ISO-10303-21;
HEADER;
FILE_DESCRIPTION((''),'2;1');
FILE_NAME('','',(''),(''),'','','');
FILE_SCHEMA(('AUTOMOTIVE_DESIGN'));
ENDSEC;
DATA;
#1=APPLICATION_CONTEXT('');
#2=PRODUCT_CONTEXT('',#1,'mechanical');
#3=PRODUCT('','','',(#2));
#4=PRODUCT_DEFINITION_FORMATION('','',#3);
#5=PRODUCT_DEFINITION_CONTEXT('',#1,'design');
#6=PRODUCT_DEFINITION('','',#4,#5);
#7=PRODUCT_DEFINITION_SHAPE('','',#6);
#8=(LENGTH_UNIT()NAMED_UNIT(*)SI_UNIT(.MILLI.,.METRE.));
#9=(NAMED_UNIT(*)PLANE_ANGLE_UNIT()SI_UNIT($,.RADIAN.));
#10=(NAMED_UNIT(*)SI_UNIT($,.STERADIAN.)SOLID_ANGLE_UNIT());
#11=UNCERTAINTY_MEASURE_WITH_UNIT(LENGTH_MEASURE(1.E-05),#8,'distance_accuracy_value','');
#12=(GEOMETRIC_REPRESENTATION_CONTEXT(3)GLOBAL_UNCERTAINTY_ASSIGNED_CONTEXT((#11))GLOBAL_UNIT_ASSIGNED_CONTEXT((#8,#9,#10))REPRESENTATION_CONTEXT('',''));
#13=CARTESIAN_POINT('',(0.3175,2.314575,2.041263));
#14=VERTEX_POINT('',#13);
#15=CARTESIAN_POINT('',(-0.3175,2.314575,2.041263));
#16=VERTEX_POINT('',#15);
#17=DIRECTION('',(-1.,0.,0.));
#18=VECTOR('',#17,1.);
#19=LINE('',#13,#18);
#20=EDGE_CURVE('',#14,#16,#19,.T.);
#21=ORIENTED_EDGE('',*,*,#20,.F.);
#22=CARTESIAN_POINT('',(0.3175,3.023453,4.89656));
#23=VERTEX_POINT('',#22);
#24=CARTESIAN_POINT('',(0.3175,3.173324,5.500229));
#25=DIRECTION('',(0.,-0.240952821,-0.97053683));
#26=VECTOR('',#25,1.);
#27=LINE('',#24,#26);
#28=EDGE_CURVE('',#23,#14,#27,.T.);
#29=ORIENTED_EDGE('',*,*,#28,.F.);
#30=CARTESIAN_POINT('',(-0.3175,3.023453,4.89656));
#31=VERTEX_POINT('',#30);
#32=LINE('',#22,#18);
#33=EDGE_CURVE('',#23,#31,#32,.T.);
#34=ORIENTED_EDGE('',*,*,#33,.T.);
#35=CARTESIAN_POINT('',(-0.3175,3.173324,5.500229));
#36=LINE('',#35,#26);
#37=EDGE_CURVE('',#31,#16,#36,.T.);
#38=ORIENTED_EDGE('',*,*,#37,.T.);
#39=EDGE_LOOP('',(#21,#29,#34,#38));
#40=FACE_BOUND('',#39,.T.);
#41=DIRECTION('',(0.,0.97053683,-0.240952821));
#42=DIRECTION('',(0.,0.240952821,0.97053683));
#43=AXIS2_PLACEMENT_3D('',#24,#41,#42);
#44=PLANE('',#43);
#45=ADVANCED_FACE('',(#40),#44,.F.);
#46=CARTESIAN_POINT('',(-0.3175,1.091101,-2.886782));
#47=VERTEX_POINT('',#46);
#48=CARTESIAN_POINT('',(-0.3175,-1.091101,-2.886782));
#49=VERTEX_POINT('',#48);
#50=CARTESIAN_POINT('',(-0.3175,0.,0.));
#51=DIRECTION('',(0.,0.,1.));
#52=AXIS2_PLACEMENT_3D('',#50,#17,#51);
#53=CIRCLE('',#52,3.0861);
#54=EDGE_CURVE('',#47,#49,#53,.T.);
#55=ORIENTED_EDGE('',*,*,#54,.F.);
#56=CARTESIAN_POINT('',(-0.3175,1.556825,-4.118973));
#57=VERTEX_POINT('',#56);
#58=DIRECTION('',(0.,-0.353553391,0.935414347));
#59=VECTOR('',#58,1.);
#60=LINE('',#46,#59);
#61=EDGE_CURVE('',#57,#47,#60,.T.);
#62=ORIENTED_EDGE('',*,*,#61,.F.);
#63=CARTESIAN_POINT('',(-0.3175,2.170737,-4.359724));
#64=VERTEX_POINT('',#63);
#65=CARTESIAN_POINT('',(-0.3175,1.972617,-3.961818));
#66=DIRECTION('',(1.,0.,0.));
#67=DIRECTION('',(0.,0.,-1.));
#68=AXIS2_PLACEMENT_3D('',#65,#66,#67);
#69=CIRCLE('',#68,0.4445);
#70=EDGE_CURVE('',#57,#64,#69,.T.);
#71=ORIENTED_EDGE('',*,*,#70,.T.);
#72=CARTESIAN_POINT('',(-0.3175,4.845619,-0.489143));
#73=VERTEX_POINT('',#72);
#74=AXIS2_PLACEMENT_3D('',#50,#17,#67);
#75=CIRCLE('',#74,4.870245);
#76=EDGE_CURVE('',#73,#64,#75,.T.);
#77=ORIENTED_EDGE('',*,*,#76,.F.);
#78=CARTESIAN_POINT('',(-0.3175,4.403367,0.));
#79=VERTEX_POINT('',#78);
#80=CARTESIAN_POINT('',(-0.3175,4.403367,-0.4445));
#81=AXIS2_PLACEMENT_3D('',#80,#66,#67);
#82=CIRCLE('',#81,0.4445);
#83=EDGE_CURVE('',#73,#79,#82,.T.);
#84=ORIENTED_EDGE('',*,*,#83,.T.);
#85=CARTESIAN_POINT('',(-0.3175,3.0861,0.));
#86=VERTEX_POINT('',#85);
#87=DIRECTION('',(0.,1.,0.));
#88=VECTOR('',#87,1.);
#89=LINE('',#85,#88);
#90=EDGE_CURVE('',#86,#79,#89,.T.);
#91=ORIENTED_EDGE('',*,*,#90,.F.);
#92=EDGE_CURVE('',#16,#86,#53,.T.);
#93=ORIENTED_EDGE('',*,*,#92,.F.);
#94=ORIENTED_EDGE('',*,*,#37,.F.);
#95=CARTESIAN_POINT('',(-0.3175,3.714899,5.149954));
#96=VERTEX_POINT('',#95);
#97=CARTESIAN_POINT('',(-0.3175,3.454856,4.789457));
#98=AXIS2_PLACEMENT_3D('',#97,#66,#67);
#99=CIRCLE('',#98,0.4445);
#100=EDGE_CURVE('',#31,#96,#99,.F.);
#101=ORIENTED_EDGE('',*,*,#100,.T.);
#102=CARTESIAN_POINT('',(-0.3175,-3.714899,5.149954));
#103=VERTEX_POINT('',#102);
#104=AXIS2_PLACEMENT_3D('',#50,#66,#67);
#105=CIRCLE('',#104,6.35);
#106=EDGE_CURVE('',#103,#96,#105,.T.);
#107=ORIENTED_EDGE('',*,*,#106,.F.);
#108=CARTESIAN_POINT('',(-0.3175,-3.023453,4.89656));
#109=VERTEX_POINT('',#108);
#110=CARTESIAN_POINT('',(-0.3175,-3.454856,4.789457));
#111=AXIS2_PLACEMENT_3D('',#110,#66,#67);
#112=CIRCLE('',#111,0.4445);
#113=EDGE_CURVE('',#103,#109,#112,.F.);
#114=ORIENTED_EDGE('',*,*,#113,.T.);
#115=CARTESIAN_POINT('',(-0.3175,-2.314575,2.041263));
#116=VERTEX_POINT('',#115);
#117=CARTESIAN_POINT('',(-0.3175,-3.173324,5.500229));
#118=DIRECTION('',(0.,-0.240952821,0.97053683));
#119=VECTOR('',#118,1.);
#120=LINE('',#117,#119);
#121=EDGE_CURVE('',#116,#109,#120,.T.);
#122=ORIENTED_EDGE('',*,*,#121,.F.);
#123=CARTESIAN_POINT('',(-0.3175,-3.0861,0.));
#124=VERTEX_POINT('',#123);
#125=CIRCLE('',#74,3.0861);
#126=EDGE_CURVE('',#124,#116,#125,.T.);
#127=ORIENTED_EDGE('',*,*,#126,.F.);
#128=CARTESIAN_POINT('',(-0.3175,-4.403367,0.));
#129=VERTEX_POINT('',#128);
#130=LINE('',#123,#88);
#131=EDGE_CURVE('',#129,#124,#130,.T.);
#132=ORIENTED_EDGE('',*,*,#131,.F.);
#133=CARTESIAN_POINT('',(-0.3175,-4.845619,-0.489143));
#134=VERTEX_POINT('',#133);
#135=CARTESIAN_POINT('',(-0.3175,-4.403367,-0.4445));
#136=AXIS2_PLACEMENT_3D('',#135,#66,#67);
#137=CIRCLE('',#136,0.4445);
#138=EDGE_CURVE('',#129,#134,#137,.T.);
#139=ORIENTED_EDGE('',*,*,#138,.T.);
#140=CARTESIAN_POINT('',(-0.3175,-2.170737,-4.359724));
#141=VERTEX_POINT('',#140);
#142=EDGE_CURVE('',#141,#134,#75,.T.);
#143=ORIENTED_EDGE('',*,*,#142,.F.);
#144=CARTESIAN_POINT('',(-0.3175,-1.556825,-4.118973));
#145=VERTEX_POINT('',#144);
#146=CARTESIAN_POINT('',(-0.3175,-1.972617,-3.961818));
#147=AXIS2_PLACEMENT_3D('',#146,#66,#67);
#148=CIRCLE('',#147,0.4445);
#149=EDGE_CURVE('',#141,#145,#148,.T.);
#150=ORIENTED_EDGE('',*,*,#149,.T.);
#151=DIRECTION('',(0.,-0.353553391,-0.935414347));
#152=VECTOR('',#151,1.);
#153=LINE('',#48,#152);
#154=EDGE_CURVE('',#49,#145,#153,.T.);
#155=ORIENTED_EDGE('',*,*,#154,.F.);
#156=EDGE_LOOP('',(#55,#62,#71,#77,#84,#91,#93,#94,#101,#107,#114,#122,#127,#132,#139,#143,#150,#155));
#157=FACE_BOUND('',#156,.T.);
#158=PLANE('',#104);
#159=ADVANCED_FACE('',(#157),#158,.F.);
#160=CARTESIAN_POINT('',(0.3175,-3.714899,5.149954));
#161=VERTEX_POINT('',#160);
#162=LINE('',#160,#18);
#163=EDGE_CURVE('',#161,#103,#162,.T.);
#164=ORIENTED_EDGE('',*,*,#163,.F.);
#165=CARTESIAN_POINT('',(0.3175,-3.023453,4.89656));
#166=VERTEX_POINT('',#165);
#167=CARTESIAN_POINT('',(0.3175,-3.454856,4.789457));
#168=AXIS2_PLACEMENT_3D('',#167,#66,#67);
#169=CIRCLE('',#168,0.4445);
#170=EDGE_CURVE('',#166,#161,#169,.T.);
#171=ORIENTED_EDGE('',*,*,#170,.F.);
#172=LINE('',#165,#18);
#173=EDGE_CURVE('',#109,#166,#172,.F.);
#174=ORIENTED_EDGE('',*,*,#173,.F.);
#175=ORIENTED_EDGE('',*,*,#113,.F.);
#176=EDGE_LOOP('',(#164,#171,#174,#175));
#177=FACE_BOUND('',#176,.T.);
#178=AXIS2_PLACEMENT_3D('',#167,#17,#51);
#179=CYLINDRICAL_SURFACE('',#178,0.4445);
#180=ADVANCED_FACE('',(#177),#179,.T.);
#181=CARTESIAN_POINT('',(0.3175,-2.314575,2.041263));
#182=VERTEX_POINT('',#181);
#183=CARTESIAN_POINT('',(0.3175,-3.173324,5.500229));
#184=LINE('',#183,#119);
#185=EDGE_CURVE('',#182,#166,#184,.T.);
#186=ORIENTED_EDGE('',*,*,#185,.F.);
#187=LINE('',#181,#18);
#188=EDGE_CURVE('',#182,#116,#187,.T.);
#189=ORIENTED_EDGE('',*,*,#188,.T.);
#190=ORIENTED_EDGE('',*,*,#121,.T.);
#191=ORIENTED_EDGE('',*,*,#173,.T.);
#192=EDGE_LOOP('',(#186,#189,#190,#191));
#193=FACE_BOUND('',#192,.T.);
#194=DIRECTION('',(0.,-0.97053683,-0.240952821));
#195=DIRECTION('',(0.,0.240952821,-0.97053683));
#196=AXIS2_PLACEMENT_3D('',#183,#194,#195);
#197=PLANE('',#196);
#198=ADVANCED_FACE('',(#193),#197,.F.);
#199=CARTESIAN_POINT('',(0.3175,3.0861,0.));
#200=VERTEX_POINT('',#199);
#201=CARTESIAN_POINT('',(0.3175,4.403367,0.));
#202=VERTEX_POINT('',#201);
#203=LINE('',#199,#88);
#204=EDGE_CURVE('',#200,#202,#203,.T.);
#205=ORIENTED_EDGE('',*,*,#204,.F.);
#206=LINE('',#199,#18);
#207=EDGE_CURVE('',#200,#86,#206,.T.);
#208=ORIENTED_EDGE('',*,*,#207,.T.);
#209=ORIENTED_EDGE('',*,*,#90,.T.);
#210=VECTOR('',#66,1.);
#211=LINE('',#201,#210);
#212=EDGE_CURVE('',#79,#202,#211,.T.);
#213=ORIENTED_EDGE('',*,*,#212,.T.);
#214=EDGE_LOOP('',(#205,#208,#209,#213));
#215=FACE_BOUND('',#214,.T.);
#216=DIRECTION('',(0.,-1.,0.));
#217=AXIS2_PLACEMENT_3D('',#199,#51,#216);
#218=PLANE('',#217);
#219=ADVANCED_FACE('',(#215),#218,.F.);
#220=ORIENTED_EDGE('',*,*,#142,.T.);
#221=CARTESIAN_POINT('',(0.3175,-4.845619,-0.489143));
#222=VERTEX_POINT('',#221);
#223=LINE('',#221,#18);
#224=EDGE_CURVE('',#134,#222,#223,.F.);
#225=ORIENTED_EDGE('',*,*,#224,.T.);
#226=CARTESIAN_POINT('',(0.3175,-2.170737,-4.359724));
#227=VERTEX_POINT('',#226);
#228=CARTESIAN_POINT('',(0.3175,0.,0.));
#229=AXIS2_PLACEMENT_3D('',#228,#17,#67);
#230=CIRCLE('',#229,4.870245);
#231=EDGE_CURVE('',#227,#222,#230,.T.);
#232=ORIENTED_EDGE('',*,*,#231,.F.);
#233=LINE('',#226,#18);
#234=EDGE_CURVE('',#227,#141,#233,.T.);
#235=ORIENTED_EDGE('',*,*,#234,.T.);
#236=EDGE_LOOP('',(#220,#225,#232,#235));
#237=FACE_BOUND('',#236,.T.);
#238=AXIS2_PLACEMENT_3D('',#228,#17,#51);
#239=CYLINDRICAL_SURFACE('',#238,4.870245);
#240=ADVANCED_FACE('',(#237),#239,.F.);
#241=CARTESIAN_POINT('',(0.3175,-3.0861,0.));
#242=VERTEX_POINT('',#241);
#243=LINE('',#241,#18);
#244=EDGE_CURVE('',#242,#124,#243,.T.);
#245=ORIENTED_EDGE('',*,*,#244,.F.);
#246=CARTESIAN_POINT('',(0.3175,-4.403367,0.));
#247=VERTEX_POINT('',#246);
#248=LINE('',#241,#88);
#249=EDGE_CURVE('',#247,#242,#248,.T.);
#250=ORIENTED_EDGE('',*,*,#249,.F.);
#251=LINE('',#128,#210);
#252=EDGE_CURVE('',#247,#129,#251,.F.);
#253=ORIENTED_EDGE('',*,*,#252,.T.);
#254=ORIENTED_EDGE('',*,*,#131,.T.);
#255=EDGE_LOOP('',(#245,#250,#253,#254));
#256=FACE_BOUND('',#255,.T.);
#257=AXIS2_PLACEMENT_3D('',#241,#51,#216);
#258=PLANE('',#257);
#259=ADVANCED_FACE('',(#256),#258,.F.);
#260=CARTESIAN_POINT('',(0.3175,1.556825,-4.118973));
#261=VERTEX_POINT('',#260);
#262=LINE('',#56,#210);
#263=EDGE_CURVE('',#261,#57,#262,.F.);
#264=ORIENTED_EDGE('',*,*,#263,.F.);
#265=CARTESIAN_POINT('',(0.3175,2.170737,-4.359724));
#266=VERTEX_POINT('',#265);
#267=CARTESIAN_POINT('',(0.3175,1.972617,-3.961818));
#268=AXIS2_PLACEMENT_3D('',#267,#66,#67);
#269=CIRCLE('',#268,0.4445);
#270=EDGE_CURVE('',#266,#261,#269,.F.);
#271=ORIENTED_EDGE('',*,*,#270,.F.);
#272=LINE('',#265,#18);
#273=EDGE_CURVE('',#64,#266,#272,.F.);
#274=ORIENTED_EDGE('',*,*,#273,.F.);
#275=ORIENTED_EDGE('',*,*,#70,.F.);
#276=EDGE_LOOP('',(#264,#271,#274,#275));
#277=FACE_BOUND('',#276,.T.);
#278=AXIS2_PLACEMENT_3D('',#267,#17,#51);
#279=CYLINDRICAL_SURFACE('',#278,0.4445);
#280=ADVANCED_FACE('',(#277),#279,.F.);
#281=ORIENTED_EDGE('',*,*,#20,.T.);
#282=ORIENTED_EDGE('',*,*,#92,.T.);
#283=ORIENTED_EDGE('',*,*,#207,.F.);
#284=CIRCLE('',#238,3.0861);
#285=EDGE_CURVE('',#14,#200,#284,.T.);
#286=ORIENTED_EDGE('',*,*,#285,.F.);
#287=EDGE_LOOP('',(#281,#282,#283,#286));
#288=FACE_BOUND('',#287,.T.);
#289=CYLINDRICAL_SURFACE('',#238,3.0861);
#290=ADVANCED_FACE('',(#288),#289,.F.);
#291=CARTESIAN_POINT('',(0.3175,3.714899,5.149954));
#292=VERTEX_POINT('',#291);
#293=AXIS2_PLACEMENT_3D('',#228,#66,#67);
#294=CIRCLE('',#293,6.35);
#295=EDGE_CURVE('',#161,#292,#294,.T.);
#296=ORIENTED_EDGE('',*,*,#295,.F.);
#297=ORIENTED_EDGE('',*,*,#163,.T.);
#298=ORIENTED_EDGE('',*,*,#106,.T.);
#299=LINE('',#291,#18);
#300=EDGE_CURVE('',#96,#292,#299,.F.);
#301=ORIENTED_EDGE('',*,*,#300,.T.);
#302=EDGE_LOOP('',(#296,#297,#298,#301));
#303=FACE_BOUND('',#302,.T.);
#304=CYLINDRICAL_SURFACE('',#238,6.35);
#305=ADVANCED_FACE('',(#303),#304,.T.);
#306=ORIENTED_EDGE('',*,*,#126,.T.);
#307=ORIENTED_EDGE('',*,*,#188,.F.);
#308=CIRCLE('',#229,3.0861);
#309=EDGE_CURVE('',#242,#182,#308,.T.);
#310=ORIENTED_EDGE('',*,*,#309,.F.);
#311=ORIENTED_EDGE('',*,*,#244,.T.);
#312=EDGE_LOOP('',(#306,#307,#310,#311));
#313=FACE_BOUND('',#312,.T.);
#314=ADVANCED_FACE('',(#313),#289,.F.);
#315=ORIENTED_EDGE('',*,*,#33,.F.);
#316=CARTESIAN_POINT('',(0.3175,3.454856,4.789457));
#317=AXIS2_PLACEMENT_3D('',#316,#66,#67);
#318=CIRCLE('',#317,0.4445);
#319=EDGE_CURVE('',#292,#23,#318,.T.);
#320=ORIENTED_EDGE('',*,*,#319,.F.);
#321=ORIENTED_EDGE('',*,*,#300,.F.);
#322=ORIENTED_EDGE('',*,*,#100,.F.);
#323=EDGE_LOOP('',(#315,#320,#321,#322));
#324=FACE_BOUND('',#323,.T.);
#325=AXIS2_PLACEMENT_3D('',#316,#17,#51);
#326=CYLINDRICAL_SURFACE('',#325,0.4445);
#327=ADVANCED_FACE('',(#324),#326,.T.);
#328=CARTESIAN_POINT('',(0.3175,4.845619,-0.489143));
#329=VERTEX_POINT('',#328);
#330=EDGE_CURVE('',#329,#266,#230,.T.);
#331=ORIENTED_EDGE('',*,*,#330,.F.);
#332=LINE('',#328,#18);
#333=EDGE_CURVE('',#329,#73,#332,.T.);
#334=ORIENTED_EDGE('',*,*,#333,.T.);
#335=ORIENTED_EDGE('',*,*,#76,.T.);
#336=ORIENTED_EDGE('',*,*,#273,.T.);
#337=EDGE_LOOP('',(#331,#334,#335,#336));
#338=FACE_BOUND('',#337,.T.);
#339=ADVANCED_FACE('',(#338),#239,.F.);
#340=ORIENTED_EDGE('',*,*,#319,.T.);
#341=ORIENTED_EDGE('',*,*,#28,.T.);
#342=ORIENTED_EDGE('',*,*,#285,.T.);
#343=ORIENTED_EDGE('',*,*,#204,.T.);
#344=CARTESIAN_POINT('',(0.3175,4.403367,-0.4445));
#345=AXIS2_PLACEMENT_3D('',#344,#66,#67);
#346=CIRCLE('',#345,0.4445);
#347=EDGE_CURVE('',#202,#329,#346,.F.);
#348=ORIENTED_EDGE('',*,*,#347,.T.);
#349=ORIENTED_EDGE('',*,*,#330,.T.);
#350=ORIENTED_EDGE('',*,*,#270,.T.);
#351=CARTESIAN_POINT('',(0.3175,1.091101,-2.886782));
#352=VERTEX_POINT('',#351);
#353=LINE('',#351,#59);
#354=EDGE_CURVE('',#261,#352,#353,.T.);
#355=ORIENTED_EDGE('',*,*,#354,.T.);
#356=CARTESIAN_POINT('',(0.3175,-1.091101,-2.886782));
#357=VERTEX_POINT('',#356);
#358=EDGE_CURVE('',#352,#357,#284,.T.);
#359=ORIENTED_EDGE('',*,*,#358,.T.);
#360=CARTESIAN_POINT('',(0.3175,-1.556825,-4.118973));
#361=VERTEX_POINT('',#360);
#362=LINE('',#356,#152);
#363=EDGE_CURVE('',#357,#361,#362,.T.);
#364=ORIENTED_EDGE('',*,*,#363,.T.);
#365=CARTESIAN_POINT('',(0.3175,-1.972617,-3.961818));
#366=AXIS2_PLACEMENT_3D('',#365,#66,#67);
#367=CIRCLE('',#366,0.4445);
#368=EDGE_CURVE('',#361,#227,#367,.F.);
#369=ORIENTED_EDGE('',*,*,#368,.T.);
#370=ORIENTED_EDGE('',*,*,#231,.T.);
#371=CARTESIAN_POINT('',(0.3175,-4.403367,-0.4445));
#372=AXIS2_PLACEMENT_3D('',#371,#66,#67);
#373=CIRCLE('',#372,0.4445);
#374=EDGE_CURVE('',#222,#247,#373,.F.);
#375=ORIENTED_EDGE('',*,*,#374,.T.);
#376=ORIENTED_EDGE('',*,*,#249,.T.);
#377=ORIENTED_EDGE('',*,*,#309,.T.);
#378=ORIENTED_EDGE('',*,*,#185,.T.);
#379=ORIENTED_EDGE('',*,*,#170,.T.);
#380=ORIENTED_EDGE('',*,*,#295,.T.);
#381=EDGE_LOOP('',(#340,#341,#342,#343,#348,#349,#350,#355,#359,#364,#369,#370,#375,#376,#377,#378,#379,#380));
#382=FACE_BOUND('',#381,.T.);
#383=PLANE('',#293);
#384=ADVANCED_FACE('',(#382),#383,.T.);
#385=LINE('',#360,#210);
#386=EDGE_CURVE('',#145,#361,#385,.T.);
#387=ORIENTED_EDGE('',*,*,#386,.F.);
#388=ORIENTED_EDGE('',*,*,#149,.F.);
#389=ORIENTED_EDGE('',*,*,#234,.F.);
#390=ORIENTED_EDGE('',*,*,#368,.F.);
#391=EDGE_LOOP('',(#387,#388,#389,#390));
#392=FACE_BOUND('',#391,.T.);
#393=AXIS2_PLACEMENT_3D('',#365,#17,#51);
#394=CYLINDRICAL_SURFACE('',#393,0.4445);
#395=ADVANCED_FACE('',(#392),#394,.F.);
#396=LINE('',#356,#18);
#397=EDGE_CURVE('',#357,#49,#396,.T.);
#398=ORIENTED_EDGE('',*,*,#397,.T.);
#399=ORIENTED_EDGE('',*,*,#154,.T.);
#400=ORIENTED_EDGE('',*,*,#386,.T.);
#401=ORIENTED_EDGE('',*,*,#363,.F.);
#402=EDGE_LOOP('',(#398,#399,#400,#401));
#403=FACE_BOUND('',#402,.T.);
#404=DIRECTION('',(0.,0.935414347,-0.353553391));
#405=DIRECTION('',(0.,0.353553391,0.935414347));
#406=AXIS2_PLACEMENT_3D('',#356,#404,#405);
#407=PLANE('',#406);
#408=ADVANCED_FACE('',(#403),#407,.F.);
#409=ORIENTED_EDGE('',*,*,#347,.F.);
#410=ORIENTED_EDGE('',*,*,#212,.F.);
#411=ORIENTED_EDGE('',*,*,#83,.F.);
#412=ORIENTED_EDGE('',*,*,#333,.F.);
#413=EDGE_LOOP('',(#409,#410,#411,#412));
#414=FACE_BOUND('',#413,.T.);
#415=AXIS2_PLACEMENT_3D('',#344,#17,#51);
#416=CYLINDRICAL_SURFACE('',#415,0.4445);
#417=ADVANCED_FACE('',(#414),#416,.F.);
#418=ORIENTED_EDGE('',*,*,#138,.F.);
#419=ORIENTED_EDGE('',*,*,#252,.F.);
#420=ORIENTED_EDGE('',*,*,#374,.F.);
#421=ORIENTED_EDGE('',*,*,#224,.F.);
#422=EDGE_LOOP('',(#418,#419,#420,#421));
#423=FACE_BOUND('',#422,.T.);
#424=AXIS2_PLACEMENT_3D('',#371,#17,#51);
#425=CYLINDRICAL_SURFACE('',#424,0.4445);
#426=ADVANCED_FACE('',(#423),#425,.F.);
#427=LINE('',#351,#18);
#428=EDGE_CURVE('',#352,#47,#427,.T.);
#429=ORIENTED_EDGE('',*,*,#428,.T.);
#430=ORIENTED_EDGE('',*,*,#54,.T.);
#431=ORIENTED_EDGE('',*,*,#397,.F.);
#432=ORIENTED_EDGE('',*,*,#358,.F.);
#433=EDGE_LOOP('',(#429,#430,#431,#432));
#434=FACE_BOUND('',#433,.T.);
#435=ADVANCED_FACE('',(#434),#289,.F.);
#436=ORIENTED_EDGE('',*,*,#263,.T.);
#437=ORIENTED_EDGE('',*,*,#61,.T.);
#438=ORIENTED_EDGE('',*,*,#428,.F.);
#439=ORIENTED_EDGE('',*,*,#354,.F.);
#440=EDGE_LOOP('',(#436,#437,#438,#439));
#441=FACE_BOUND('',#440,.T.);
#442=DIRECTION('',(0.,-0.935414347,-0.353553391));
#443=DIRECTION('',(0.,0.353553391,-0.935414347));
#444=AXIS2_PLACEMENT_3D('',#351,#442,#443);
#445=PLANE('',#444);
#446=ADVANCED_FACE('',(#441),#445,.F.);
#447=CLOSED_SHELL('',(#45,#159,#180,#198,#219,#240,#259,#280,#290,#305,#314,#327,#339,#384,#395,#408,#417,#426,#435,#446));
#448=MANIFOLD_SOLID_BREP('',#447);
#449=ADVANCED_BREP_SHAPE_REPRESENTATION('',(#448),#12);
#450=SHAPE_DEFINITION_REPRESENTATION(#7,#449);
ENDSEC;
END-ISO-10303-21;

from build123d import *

# Parameters (mm, degrees)
EXTRUDE1_DEPTH = 0.3175
FILLET1_R      = 0.4445


with BuildPart() as part:
    # Sketch1 → Extrude1 (new body, symmetric)
    with BuildSketch(Plane(origin=(0, 0, 0), x_dir=(0, 0, -1), z_dir=(1, 0, 0))):
        with BuildLine():
            Line((-5.500228654, -3.173323929), (-2.04126328, -2.314575))
            ThreePointArc((-2.04126328, -2.314575), (-1.091101119, -2.886782215), (0, -3.0861))
            Line((0, -3.0861), (0, -4.870245161))
            ThreePointArc((0, -4.870245161), (2.768867391, -4.006577255), (4.555697196, -1.72189169))
            Line((4.555697196, -1.72189169), (2.886782215, -1.091101119))
            ThreePointArc((2.886782215, -1.091101119), (3.0861, 0), (2.886782215, 1.091101119))
            Line((2.886782215, 1.091101119), (4.555697196, 1.72189169))
            ThreePointArc((4.555697196, 1.72189169), (2.768867391, 4.006577255), (0, 4.870245161))
            Line((0, 4.870245161), (0, 3.0861))
            ThreePointArc((0, 3.0861), (-1.091101119, 2.886782215), (-2.04126328, 2.314575))
            Line((-2.04126328, 2.314575), (-5.500228654, 3.173323929))
            ThreePointArc((-5.500228654, 3.173323929), (6.35, 0), (-5.500228654, -3.173323929))
        make_face()
    extrude(amount=EXTRUDE1_DEPTH, both=True)

    # Fillet1
    fillet1_edges = [part.edges().sort_by_distance(p)[0] for p in [
        (0, -3.173323929, 5.500228654),
        (0, -4.870245161, 0),
        (0, -1.72189169, -4.555697196),
        (0, 1.72189169, -4.555697196),
        (0, 4.870245161, 0),
        (0, 3.173323929, 5.500228654),
    ]]
    fillet(fillet1_edges, radius=FILLET1_R)


solid = part.part
